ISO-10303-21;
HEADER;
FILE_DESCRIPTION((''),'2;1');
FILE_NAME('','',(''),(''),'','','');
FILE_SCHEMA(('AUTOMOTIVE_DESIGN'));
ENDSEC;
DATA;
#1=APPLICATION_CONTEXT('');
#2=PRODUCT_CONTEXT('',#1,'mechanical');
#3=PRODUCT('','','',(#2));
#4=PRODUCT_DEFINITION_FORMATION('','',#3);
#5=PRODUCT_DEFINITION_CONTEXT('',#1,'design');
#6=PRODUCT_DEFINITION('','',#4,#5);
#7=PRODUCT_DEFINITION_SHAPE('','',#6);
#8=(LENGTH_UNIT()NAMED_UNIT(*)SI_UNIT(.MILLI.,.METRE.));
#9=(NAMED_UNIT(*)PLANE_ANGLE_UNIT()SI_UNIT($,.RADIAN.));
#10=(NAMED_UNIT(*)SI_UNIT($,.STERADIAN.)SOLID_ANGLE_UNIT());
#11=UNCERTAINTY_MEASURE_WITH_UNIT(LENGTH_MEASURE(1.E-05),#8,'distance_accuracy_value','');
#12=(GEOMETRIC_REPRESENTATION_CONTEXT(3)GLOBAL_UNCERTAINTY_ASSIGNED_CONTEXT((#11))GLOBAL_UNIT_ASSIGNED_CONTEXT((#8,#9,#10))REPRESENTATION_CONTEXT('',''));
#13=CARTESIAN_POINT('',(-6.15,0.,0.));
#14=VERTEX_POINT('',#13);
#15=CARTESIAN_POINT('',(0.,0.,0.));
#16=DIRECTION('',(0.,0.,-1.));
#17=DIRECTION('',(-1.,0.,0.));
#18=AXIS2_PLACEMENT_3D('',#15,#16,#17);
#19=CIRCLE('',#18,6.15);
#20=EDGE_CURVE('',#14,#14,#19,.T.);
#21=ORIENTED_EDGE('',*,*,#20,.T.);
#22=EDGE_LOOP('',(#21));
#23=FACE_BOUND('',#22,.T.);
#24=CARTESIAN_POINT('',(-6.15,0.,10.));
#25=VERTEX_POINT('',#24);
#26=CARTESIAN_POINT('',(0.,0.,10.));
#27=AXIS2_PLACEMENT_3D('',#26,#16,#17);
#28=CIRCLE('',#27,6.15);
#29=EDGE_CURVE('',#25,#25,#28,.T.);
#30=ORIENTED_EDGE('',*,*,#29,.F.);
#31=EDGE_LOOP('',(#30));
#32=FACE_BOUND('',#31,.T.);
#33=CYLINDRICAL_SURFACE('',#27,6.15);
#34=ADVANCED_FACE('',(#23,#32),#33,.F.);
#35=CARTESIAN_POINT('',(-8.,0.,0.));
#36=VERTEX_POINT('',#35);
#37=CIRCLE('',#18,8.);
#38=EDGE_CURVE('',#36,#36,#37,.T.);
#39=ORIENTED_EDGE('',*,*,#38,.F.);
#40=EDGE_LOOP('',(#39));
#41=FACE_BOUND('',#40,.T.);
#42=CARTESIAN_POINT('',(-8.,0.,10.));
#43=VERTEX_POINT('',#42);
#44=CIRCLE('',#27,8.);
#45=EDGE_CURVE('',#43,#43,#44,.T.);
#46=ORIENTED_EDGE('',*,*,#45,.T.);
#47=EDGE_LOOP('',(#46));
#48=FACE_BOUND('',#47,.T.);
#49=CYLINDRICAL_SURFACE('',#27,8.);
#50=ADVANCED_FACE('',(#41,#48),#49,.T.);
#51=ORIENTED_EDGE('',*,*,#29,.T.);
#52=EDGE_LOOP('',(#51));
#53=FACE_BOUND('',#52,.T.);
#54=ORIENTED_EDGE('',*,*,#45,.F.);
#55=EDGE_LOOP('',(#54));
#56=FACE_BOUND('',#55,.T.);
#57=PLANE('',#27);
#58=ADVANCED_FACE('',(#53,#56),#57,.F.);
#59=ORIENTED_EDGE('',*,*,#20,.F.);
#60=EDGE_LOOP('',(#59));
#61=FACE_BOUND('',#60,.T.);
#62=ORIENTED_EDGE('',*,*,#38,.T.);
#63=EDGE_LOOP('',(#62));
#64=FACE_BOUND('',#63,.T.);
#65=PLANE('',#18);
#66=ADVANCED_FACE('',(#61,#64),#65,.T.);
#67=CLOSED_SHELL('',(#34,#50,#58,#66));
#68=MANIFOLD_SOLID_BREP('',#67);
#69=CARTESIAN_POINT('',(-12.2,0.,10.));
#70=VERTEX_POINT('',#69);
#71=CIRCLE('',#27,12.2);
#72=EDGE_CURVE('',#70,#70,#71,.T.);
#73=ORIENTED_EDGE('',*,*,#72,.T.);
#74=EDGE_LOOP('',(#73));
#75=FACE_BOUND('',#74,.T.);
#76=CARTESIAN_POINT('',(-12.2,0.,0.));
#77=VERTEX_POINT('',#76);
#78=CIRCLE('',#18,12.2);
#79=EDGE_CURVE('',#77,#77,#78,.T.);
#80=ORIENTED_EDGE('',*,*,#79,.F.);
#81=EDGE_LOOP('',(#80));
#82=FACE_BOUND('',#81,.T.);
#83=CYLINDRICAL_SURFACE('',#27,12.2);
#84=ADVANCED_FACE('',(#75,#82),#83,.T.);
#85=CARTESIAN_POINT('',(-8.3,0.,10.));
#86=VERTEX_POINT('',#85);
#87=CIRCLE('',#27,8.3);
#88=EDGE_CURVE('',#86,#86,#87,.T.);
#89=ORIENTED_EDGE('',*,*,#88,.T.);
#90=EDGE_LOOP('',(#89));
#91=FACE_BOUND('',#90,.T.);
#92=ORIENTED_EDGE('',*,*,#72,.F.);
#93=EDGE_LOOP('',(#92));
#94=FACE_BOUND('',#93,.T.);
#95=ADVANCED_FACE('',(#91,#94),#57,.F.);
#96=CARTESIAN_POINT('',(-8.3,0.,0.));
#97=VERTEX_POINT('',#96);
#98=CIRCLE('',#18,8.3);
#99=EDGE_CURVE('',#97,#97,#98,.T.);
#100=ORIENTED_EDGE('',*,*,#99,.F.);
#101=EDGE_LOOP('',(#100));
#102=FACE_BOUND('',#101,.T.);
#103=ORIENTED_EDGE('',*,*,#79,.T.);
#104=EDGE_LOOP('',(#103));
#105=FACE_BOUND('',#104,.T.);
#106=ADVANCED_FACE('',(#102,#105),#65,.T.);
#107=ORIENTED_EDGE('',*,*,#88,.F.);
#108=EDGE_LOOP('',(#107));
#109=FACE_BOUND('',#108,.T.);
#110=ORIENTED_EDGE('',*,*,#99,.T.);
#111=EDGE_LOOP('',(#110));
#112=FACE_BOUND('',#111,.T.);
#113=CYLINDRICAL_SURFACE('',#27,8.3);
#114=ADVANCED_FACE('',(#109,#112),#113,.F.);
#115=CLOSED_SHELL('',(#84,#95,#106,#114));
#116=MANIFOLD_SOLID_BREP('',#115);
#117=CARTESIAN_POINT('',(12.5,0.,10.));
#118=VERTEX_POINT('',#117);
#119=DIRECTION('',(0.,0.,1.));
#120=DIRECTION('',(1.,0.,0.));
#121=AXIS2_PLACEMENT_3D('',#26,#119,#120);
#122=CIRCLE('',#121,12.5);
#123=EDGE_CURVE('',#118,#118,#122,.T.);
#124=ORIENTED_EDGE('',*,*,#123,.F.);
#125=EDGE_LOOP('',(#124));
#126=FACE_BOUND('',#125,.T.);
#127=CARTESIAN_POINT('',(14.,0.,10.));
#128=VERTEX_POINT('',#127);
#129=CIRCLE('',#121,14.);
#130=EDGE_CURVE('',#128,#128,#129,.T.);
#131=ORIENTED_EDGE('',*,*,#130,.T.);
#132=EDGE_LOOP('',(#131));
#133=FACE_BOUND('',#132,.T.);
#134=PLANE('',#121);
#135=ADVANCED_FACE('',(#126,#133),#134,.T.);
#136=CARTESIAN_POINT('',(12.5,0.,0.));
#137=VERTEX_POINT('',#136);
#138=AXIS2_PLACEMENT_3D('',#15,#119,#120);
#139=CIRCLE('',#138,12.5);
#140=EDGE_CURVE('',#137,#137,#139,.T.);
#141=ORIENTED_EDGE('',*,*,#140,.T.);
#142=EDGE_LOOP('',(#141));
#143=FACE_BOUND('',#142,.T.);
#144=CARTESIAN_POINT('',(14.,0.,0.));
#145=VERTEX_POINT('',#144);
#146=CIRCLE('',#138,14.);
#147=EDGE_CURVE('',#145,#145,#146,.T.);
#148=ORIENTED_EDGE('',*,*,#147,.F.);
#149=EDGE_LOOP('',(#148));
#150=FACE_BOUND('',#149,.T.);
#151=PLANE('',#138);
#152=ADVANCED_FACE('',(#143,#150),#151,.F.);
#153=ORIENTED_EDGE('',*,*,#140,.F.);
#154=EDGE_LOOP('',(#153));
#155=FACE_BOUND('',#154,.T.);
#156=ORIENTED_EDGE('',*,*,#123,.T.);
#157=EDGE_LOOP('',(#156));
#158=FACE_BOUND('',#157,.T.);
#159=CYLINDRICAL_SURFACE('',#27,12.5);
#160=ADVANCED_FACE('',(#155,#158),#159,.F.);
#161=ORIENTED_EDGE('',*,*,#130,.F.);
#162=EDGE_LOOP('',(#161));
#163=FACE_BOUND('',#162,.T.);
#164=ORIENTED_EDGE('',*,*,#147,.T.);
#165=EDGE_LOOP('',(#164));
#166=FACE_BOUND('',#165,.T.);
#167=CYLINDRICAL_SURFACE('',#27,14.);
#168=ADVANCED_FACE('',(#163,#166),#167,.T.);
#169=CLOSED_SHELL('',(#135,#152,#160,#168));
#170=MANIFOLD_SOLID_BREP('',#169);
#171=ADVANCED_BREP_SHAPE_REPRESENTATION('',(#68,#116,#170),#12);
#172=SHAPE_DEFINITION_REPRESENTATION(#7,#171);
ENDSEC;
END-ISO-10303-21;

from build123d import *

# Parameters (mm, degrees)
SKETCH1_R           = 14
SKETCH1_R_2         = 12.5
BOSS_EXTRUDE1_DEPTH = 10
SKETCH2_R           = 12.2
SKETCH2_R_2         = 8.3
BOSS_EXTRUDE2_DEPTH = 10
SKETCH3_R           = 8
SKETCH3_R_2         = 6.15
BOSS_EXTRUDE3_DEPTH = 10


with BuildPart() as part:
    # Sketch1 → Boss-Extrude1 (new body)
    with BuildSketch(Plane.XY):
        Circle(SKETCH1_R)
        Circle(SKETCH1_R_2, mode=Mode.SUBTRACT)
    extrude(amount=BOSS_EXTRUDE1_DEPTH)


with BuildPart() as body_2:
    # Sketch2 → Boss-Extrude2 (new body)
    with BuildSketch(Plane(origin=(0, 0, 0), x_dir=(-1, 0, 0), z_dir=(0, 0, -1))):
        Circle(SKETCH2_R)
        Circle(SKETCH2_R_2, mode=Mode.SUBTRACT)
    extrude(amount=-BOSS_EXTRUDE2_DEPTH)


with BuildPart() as body_3:
    # Sketch3 → Boss-Extrude3 (new body)
    with BuildSketch(Plane(origin=(0, 0, 0), x_dir=(-1, 0, 0), z_dir=(0, 0, -1))):
        Circle(SKETCH3_R)
        Circle(SKETCH3_R_2, mode=Mode.SUBTRACT)
    extrude(amount=-BOSS_EXTRUDE3_DEPTH)


solid = Compound([part.part, body_2.part, body_3.part])
